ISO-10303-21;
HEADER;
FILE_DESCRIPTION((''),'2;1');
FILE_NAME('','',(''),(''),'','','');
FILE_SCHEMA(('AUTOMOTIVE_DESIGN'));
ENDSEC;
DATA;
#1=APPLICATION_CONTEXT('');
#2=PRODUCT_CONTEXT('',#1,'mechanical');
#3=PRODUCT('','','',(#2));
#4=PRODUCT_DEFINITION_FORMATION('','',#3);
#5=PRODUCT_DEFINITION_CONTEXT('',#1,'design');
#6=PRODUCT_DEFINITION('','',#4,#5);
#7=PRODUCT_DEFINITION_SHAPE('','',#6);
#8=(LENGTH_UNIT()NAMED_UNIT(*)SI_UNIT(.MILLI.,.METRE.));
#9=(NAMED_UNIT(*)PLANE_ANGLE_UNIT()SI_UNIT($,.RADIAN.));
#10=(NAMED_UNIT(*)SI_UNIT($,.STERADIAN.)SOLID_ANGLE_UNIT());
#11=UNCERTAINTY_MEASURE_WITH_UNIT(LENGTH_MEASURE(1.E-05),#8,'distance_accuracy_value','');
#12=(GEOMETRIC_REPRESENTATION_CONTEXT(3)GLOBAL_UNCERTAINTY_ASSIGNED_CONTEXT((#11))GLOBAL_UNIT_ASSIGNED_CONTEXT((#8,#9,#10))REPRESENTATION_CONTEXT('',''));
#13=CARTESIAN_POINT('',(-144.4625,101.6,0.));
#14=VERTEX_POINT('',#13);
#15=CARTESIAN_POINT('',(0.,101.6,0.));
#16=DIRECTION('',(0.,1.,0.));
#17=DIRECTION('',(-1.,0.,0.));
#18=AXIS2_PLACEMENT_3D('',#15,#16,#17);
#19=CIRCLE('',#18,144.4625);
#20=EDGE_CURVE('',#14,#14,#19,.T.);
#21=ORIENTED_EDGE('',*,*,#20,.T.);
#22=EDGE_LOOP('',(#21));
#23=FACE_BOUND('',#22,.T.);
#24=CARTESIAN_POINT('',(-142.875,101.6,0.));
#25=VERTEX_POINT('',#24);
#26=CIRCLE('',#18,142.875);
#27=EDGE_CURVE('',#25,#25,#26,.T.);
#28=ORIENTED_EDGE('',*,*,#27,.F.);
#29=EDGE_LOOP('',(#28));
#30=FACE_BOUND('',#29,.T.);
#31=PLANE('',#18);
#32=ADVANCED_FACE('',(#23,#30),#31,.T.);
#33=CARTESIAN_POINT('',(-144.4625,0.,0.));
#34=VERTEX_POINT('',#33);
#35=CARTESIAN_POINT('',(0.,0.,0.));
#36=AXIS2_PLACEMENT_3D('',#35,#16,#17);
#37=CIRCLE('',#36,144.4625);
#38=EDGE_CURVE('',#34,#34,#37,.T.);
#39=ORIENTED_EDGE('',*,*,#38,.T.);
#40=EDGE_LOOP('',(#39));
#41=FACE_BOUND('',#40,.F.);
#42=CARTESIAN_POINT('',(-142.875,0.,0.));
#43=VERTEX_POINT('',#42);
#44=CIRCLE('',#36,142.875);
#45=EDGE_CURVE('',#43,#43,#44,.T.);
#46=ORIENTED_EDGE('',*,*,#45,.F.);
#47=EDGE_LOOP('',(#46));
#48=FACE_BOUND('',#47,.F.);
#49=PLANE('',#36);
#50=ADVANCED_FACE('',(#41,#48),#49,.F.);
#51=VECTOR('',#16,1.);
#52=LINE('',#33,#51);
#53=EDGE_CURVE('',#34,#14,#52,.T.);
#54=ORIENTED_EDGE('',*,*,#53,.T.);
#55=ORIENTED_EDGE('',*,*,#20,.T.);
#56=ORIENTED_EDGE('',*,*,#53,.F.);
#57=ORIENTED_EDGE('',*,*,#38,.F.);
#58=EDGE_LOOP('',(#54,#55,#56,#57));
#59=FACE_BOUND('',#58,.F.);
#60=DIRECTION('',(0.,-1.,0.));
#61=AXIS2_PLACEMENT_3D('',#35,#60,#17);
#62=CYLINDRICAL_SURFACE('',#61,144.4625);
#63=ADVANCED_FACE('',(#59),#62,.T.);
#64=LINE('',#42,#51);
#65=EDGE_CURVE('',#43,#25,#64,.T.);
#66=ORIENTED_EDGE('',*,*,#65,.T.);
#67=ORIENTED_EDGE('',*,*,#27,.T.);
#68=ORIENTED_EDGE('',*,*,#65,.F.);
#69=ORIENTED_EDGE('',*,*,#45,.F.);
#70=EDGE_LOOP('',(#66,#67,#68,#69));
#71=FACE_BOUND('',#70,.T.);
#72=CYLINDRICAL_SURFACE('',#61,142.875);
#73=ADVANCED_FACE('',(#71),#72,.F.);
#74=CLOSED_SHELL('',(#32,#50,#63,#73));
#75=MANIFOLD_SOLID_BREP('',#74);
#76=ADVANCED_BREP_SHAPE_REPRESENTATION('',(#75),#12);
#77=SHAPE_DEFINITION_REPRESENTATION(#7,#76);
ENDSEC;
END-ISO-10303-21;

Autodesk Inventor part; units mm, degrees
ref_plane "YZ Plane" through (0, 0, 0) normal (1, 0, 0) x (0, 1, 0)
ref_plane "XZ Plane" through (0, 0, 0) normal (0, 1, 0) x (-1, 0, 0)
ref_plane "XY Plane" through (0, 0, 0) normal (0, 0, 1) x (1, 0, 0)
sketch "Sketch2" plane through (0, 0, 0) normal (0, 1, 0) x (-1, 0, 0)
  circle A0 centre (0, 0) radius 142.875
  circle A1 centre (0, 0) radius 144.4625
  dimension "d0" = 285.75
  dimension "d1" = 288.925
extrude "Extrusion1" add sketch "Sketch2" along normal blind 101.6
properties part number "HopperBucket" material "PVC-Piping"
